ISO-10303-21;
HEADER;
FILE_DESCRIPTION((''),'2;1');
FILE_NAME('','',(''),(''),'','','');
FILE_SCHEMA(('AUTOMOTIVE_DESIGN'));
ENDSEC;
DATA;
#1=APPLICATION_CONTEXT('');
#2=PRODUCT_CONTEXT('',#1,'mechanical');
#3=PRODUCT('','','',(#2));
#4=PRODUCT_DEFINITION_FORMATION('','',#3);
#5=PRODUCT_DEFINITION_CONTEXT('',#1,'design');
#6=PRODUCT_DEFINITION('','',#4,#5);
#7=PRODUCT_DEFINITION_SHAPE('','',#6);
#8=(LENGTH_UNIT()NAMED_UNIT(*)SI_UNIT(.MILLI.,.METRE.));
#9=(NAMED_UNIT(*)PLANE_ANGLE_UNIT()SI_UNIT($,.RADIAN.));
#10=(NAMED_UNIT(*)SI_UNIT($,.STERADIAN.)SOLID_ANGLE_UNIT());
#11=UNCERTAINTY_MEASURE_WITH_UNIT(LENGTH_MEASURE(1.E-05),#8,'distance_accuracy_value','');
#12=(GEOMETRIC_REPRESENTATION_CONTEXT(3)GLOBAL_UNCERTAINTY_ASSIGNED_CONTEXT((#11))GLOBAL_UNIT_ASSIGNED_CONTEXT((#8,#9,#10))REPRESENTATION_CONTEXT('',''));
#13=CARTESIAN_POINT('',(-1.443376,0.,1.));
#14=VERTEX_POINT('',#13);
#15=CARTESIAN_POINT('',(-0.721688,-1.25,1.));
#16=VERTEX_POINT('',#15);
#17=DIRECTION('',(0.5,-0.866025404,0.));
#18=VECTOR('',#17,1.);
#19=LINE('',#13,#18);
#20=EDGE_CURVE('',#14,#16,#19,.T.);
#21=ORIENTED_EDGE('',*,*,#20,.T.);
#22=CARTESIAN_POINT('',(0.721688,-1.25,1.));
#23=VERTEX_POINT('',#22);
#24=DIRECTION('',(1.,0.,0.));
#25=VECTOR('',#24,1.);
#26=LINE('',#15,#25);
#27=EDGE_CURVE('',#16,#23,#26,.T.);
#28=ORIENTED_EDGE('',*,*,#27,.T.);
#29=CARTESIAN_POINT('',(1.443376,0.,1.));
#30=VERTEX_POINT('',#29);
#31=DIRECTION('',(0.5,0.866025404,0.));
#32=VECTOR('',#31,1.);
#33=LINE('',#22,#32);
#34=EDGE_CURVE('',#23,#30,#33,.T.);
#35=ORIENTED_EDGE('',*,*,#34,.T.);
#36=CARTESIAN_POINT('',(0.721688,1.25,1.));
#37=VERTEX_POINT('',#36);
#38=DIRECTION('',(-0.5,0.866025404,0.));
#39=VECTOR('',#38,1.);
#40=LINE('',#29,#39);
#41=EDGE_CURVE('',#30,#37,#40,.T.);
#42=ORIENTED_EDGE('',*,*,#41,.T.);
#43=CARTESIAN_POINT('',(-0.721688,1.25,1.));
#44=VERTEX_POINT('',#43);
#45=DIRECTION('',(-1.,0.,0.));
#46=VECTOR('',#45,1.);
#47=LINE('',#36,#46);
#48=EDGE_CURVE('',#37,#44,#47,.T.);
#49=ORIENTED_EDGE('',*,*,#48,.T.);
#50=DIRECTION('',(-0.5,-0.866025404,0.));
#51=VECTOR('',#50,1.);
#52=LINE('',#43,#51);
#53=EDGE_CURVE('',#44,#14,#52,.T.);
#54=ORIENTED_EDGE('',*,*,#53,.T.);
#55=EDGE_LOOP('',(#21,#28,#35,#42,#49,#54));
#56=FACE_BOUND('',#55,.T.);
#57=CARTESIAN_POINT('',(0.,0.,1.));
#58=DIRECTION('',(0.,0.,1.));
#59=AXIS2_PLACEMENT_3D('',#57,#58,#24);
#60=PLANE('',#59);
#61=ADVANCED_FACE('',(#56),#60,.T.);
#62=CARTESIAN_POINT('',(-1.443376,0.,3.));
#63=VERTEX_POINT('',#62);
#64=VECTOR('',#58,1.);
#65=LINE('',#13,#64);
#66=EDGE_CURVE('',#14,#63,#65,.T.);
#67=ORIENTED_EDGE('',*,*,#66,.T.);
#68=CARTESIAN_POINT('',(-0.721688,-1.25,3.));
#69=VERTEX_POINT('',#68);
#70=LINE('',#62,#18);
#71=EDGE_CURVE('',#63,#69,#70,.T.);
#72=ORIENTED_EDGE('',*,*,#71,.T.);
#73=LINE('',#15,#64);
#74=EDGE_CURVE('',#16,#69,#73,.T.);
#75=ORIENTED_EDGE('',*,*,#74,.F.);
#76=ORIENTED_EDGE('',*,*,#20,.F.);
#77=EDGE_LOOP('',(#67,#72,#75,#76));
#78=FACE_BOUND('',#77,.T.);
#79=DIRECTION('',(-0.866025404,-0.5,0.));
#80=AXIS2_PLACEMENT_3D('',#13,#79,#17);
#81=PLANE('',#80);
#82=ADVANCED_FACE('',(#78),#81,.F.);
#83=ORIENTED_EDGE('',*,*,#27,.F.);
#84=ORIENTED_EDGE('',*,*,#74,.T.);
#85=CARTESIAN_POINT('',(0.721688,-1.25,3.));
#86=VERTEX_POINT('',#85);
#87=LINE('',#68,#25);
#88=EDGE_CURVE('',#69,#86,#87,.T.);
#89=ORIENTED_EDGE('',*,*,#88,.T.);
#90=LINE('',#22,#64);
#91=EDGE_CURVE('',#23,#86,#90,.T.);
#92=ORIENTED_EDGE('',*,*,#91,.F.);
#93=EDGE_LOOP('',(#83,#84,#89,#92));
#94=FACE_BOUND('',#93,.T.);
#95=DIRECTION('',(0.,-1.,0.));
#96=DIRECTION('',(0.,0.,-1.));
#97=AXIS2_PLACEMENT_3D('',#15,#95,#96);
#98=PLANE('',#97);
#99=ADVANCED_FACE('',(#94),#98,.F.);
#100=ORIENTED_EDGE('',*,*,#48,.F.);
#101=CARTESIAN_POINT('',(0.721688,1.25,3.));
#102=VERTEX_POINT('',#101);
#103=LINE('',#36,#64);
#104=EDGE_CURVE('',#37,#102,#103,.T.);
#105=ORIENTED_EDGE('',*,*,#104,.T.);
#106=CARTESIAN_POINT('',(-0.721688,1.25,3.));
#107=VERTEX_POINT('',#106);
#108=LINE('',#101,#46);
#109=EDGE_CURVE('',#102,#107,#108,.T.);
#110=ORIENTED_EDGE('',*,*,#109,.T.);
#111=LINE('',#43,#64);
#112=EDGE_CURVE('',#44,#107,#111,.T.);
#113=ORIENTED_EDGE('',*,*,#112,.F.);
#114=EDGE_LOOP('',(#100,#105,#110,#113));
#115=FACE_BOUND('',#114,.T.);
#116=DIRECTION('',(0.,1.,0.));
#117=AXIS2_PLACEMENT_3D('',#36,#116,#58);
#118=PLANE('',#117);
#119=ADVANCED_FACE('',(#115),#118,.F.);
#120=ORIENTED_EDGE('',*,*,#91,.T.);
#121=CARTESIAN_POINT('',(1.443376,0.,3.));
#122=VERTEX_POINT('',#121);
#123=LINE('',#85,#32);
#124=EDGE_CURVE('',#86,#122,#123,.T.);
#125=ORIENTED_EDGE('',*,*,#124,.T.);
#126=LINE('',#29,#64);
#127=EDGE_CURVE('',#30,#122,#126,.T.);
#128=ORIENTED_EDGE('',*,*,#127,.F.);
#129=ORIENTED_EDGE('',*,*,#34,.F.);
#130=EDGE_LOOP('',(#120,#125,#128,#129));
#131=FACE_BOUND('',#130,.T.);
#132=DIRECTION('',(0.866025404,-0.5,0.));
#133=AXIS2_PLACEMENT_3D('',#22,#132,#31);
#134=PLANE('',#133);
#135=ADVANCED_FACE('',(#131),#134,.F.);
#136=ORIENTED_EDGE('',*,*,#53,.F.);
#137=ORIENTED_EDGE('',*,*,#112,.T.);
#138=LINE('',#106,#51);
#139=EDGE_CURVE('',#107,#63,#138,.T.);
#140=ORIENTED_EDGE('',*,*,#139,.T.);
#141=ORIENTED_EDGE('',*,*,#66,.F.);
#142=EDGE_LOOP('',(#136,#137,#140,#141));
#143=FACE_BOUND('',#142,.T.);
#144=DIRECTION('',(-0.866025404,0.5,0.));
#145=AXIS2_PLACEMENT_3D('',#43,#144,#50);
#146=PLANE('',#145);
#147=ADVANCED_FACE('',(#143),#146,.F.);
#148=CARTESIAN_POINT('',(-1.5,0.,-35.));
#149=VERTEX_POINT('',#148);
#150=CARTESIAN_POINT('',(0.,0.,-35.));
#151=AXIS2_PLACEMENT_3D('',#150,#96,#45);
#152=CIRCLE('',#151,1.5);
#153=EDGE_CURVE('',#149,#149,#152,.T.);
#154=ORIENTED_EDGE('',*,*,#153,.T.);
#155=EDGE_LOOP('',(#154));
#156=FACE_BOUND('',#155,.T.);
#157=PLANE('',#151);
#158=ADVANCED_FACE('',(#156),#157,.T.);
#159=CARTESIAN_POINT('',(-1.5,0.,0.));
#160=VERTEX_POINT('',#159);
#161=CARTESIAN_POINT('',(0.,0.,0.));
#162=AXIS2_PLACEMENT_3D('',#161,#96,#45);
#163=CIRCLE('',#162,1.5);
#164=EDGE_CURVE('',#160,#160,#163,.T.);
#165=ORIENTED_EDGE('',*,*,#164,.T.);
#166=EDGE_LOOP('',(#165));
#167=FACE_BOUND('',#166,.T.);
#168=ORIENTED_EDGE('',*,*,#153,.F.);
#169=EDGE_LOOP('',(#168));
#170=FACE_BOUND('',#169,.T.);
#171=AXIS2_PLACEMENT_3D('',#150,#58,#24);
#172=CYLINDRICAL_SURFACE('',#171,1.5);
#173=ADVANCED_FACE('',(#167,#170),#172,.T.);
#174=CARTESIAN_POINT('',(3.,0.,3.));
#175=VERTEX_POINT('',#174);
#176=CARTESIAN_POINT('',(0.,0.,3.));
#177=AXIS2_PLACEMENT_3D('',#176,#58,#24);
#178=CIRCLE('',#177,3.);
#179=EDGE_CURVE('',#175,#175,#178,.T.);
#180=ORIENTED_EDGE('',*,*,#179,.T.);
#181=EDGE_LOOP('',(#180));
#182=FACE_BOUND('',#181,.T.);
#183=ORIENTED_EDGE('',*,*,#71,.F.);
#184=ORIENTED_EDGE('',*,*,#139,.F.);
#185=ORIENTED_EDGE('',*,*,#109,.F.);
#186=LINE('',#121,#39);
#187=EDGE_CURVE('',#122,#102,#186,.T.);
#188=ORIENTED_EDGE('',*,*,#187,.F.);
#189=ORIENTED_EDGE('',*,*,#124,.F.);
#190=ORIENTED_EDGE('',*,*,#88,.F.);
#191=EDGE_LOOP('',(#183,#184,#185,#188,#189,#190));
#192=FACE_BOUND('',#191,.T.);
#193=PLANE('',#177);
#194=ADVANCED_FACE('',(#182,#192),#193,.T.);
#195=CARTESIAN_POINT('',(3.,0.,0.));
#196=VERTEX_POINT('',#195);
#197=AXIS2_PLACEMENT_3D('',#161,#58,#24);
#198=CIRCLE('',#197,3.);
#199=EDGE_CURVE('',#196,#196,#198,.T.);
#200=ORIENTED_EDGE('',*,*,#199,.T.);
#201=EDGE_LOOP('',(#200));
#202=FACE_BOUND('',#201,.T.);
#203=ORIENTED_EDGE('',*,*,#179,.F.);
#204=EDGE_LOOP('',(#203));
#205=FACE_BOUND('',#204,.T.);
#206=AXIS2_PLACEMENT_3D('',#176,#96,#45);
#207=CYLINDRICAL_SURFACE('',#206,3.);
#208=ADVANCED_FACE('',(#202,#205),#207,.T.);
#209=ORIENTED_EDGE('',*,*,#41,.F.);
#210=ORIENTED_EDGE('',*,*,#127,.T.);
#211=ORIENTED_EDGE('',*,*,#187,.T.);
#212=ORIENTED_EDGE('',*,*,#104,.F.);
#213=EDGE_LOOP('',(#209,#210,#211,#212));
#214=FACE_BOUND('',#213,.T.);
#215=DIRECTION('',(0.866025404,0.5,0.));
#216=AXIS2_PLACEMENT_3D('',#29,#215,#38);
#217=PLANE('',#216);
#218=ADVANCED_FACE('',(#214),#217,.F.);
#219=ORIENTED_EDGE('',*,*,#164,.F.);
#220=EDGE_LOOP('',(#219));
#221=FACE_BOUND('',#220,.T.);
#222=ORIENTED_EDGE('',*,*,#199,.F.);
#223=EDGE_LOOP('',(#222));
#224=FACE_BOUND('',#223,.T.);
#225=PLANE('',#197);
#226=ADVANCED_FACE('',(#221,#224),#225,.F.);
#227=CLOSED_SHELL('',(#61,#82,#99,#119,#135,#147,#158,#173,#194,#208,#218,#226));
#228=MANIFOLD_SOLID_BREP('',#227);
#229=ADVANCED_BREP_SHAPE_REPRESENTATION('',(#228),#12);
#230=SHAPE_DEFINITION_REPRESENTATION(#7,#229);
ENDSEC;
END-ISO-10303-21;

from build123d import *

# Parameters (mm, degrees)
SKETCH_5_R          = 3
EXTRUDE_1_DEPTH     = 3
CUT_EXTRUDE_1_DEPTH = 2
SKETCH_7_R          = 1.5
EXTRUDE_2_DEPTH     = 35


with BuildPart() as part:
    # ｽｹｯﾁ5 → ﾎﾞｽ - 押し出し1 (new body)
    with BuildSketch(Plane.XY):
        Circle(SKETCH_5_R)
    extrude(amount=EXTRUDE_1_DEPTH)

    # ｽｹｯﾁ6 → ｶｯﾄ - 押し出し1 (cut)
    with BuildSketch(Plane.XY.offset(3)):
        Polygon((1.443375673, 0), (0.721687836, 1.25), (-0.721687836, 1.25), (-1.443375673, 0), (-0.721687836, -1.25), (0.721687836, -1.25), align=None)
    extrude(amount=-CUT_EXTRUDE_1_DEPTH, mode=Mode.SUBTRACT)

    # ｽｹｯﾁ7 → ﾎﾞｽ - 押し出し2 (add)
    with BuildSketch(Plane(origin=(0, 0, 0), x_dir=(-1, 0, 0), z_dir=(0, 0, -1))):
        Circle(SKETCH_7_R)
    extrude(amount=EXTRUDE_2_DEPTH)


solid = part.part
